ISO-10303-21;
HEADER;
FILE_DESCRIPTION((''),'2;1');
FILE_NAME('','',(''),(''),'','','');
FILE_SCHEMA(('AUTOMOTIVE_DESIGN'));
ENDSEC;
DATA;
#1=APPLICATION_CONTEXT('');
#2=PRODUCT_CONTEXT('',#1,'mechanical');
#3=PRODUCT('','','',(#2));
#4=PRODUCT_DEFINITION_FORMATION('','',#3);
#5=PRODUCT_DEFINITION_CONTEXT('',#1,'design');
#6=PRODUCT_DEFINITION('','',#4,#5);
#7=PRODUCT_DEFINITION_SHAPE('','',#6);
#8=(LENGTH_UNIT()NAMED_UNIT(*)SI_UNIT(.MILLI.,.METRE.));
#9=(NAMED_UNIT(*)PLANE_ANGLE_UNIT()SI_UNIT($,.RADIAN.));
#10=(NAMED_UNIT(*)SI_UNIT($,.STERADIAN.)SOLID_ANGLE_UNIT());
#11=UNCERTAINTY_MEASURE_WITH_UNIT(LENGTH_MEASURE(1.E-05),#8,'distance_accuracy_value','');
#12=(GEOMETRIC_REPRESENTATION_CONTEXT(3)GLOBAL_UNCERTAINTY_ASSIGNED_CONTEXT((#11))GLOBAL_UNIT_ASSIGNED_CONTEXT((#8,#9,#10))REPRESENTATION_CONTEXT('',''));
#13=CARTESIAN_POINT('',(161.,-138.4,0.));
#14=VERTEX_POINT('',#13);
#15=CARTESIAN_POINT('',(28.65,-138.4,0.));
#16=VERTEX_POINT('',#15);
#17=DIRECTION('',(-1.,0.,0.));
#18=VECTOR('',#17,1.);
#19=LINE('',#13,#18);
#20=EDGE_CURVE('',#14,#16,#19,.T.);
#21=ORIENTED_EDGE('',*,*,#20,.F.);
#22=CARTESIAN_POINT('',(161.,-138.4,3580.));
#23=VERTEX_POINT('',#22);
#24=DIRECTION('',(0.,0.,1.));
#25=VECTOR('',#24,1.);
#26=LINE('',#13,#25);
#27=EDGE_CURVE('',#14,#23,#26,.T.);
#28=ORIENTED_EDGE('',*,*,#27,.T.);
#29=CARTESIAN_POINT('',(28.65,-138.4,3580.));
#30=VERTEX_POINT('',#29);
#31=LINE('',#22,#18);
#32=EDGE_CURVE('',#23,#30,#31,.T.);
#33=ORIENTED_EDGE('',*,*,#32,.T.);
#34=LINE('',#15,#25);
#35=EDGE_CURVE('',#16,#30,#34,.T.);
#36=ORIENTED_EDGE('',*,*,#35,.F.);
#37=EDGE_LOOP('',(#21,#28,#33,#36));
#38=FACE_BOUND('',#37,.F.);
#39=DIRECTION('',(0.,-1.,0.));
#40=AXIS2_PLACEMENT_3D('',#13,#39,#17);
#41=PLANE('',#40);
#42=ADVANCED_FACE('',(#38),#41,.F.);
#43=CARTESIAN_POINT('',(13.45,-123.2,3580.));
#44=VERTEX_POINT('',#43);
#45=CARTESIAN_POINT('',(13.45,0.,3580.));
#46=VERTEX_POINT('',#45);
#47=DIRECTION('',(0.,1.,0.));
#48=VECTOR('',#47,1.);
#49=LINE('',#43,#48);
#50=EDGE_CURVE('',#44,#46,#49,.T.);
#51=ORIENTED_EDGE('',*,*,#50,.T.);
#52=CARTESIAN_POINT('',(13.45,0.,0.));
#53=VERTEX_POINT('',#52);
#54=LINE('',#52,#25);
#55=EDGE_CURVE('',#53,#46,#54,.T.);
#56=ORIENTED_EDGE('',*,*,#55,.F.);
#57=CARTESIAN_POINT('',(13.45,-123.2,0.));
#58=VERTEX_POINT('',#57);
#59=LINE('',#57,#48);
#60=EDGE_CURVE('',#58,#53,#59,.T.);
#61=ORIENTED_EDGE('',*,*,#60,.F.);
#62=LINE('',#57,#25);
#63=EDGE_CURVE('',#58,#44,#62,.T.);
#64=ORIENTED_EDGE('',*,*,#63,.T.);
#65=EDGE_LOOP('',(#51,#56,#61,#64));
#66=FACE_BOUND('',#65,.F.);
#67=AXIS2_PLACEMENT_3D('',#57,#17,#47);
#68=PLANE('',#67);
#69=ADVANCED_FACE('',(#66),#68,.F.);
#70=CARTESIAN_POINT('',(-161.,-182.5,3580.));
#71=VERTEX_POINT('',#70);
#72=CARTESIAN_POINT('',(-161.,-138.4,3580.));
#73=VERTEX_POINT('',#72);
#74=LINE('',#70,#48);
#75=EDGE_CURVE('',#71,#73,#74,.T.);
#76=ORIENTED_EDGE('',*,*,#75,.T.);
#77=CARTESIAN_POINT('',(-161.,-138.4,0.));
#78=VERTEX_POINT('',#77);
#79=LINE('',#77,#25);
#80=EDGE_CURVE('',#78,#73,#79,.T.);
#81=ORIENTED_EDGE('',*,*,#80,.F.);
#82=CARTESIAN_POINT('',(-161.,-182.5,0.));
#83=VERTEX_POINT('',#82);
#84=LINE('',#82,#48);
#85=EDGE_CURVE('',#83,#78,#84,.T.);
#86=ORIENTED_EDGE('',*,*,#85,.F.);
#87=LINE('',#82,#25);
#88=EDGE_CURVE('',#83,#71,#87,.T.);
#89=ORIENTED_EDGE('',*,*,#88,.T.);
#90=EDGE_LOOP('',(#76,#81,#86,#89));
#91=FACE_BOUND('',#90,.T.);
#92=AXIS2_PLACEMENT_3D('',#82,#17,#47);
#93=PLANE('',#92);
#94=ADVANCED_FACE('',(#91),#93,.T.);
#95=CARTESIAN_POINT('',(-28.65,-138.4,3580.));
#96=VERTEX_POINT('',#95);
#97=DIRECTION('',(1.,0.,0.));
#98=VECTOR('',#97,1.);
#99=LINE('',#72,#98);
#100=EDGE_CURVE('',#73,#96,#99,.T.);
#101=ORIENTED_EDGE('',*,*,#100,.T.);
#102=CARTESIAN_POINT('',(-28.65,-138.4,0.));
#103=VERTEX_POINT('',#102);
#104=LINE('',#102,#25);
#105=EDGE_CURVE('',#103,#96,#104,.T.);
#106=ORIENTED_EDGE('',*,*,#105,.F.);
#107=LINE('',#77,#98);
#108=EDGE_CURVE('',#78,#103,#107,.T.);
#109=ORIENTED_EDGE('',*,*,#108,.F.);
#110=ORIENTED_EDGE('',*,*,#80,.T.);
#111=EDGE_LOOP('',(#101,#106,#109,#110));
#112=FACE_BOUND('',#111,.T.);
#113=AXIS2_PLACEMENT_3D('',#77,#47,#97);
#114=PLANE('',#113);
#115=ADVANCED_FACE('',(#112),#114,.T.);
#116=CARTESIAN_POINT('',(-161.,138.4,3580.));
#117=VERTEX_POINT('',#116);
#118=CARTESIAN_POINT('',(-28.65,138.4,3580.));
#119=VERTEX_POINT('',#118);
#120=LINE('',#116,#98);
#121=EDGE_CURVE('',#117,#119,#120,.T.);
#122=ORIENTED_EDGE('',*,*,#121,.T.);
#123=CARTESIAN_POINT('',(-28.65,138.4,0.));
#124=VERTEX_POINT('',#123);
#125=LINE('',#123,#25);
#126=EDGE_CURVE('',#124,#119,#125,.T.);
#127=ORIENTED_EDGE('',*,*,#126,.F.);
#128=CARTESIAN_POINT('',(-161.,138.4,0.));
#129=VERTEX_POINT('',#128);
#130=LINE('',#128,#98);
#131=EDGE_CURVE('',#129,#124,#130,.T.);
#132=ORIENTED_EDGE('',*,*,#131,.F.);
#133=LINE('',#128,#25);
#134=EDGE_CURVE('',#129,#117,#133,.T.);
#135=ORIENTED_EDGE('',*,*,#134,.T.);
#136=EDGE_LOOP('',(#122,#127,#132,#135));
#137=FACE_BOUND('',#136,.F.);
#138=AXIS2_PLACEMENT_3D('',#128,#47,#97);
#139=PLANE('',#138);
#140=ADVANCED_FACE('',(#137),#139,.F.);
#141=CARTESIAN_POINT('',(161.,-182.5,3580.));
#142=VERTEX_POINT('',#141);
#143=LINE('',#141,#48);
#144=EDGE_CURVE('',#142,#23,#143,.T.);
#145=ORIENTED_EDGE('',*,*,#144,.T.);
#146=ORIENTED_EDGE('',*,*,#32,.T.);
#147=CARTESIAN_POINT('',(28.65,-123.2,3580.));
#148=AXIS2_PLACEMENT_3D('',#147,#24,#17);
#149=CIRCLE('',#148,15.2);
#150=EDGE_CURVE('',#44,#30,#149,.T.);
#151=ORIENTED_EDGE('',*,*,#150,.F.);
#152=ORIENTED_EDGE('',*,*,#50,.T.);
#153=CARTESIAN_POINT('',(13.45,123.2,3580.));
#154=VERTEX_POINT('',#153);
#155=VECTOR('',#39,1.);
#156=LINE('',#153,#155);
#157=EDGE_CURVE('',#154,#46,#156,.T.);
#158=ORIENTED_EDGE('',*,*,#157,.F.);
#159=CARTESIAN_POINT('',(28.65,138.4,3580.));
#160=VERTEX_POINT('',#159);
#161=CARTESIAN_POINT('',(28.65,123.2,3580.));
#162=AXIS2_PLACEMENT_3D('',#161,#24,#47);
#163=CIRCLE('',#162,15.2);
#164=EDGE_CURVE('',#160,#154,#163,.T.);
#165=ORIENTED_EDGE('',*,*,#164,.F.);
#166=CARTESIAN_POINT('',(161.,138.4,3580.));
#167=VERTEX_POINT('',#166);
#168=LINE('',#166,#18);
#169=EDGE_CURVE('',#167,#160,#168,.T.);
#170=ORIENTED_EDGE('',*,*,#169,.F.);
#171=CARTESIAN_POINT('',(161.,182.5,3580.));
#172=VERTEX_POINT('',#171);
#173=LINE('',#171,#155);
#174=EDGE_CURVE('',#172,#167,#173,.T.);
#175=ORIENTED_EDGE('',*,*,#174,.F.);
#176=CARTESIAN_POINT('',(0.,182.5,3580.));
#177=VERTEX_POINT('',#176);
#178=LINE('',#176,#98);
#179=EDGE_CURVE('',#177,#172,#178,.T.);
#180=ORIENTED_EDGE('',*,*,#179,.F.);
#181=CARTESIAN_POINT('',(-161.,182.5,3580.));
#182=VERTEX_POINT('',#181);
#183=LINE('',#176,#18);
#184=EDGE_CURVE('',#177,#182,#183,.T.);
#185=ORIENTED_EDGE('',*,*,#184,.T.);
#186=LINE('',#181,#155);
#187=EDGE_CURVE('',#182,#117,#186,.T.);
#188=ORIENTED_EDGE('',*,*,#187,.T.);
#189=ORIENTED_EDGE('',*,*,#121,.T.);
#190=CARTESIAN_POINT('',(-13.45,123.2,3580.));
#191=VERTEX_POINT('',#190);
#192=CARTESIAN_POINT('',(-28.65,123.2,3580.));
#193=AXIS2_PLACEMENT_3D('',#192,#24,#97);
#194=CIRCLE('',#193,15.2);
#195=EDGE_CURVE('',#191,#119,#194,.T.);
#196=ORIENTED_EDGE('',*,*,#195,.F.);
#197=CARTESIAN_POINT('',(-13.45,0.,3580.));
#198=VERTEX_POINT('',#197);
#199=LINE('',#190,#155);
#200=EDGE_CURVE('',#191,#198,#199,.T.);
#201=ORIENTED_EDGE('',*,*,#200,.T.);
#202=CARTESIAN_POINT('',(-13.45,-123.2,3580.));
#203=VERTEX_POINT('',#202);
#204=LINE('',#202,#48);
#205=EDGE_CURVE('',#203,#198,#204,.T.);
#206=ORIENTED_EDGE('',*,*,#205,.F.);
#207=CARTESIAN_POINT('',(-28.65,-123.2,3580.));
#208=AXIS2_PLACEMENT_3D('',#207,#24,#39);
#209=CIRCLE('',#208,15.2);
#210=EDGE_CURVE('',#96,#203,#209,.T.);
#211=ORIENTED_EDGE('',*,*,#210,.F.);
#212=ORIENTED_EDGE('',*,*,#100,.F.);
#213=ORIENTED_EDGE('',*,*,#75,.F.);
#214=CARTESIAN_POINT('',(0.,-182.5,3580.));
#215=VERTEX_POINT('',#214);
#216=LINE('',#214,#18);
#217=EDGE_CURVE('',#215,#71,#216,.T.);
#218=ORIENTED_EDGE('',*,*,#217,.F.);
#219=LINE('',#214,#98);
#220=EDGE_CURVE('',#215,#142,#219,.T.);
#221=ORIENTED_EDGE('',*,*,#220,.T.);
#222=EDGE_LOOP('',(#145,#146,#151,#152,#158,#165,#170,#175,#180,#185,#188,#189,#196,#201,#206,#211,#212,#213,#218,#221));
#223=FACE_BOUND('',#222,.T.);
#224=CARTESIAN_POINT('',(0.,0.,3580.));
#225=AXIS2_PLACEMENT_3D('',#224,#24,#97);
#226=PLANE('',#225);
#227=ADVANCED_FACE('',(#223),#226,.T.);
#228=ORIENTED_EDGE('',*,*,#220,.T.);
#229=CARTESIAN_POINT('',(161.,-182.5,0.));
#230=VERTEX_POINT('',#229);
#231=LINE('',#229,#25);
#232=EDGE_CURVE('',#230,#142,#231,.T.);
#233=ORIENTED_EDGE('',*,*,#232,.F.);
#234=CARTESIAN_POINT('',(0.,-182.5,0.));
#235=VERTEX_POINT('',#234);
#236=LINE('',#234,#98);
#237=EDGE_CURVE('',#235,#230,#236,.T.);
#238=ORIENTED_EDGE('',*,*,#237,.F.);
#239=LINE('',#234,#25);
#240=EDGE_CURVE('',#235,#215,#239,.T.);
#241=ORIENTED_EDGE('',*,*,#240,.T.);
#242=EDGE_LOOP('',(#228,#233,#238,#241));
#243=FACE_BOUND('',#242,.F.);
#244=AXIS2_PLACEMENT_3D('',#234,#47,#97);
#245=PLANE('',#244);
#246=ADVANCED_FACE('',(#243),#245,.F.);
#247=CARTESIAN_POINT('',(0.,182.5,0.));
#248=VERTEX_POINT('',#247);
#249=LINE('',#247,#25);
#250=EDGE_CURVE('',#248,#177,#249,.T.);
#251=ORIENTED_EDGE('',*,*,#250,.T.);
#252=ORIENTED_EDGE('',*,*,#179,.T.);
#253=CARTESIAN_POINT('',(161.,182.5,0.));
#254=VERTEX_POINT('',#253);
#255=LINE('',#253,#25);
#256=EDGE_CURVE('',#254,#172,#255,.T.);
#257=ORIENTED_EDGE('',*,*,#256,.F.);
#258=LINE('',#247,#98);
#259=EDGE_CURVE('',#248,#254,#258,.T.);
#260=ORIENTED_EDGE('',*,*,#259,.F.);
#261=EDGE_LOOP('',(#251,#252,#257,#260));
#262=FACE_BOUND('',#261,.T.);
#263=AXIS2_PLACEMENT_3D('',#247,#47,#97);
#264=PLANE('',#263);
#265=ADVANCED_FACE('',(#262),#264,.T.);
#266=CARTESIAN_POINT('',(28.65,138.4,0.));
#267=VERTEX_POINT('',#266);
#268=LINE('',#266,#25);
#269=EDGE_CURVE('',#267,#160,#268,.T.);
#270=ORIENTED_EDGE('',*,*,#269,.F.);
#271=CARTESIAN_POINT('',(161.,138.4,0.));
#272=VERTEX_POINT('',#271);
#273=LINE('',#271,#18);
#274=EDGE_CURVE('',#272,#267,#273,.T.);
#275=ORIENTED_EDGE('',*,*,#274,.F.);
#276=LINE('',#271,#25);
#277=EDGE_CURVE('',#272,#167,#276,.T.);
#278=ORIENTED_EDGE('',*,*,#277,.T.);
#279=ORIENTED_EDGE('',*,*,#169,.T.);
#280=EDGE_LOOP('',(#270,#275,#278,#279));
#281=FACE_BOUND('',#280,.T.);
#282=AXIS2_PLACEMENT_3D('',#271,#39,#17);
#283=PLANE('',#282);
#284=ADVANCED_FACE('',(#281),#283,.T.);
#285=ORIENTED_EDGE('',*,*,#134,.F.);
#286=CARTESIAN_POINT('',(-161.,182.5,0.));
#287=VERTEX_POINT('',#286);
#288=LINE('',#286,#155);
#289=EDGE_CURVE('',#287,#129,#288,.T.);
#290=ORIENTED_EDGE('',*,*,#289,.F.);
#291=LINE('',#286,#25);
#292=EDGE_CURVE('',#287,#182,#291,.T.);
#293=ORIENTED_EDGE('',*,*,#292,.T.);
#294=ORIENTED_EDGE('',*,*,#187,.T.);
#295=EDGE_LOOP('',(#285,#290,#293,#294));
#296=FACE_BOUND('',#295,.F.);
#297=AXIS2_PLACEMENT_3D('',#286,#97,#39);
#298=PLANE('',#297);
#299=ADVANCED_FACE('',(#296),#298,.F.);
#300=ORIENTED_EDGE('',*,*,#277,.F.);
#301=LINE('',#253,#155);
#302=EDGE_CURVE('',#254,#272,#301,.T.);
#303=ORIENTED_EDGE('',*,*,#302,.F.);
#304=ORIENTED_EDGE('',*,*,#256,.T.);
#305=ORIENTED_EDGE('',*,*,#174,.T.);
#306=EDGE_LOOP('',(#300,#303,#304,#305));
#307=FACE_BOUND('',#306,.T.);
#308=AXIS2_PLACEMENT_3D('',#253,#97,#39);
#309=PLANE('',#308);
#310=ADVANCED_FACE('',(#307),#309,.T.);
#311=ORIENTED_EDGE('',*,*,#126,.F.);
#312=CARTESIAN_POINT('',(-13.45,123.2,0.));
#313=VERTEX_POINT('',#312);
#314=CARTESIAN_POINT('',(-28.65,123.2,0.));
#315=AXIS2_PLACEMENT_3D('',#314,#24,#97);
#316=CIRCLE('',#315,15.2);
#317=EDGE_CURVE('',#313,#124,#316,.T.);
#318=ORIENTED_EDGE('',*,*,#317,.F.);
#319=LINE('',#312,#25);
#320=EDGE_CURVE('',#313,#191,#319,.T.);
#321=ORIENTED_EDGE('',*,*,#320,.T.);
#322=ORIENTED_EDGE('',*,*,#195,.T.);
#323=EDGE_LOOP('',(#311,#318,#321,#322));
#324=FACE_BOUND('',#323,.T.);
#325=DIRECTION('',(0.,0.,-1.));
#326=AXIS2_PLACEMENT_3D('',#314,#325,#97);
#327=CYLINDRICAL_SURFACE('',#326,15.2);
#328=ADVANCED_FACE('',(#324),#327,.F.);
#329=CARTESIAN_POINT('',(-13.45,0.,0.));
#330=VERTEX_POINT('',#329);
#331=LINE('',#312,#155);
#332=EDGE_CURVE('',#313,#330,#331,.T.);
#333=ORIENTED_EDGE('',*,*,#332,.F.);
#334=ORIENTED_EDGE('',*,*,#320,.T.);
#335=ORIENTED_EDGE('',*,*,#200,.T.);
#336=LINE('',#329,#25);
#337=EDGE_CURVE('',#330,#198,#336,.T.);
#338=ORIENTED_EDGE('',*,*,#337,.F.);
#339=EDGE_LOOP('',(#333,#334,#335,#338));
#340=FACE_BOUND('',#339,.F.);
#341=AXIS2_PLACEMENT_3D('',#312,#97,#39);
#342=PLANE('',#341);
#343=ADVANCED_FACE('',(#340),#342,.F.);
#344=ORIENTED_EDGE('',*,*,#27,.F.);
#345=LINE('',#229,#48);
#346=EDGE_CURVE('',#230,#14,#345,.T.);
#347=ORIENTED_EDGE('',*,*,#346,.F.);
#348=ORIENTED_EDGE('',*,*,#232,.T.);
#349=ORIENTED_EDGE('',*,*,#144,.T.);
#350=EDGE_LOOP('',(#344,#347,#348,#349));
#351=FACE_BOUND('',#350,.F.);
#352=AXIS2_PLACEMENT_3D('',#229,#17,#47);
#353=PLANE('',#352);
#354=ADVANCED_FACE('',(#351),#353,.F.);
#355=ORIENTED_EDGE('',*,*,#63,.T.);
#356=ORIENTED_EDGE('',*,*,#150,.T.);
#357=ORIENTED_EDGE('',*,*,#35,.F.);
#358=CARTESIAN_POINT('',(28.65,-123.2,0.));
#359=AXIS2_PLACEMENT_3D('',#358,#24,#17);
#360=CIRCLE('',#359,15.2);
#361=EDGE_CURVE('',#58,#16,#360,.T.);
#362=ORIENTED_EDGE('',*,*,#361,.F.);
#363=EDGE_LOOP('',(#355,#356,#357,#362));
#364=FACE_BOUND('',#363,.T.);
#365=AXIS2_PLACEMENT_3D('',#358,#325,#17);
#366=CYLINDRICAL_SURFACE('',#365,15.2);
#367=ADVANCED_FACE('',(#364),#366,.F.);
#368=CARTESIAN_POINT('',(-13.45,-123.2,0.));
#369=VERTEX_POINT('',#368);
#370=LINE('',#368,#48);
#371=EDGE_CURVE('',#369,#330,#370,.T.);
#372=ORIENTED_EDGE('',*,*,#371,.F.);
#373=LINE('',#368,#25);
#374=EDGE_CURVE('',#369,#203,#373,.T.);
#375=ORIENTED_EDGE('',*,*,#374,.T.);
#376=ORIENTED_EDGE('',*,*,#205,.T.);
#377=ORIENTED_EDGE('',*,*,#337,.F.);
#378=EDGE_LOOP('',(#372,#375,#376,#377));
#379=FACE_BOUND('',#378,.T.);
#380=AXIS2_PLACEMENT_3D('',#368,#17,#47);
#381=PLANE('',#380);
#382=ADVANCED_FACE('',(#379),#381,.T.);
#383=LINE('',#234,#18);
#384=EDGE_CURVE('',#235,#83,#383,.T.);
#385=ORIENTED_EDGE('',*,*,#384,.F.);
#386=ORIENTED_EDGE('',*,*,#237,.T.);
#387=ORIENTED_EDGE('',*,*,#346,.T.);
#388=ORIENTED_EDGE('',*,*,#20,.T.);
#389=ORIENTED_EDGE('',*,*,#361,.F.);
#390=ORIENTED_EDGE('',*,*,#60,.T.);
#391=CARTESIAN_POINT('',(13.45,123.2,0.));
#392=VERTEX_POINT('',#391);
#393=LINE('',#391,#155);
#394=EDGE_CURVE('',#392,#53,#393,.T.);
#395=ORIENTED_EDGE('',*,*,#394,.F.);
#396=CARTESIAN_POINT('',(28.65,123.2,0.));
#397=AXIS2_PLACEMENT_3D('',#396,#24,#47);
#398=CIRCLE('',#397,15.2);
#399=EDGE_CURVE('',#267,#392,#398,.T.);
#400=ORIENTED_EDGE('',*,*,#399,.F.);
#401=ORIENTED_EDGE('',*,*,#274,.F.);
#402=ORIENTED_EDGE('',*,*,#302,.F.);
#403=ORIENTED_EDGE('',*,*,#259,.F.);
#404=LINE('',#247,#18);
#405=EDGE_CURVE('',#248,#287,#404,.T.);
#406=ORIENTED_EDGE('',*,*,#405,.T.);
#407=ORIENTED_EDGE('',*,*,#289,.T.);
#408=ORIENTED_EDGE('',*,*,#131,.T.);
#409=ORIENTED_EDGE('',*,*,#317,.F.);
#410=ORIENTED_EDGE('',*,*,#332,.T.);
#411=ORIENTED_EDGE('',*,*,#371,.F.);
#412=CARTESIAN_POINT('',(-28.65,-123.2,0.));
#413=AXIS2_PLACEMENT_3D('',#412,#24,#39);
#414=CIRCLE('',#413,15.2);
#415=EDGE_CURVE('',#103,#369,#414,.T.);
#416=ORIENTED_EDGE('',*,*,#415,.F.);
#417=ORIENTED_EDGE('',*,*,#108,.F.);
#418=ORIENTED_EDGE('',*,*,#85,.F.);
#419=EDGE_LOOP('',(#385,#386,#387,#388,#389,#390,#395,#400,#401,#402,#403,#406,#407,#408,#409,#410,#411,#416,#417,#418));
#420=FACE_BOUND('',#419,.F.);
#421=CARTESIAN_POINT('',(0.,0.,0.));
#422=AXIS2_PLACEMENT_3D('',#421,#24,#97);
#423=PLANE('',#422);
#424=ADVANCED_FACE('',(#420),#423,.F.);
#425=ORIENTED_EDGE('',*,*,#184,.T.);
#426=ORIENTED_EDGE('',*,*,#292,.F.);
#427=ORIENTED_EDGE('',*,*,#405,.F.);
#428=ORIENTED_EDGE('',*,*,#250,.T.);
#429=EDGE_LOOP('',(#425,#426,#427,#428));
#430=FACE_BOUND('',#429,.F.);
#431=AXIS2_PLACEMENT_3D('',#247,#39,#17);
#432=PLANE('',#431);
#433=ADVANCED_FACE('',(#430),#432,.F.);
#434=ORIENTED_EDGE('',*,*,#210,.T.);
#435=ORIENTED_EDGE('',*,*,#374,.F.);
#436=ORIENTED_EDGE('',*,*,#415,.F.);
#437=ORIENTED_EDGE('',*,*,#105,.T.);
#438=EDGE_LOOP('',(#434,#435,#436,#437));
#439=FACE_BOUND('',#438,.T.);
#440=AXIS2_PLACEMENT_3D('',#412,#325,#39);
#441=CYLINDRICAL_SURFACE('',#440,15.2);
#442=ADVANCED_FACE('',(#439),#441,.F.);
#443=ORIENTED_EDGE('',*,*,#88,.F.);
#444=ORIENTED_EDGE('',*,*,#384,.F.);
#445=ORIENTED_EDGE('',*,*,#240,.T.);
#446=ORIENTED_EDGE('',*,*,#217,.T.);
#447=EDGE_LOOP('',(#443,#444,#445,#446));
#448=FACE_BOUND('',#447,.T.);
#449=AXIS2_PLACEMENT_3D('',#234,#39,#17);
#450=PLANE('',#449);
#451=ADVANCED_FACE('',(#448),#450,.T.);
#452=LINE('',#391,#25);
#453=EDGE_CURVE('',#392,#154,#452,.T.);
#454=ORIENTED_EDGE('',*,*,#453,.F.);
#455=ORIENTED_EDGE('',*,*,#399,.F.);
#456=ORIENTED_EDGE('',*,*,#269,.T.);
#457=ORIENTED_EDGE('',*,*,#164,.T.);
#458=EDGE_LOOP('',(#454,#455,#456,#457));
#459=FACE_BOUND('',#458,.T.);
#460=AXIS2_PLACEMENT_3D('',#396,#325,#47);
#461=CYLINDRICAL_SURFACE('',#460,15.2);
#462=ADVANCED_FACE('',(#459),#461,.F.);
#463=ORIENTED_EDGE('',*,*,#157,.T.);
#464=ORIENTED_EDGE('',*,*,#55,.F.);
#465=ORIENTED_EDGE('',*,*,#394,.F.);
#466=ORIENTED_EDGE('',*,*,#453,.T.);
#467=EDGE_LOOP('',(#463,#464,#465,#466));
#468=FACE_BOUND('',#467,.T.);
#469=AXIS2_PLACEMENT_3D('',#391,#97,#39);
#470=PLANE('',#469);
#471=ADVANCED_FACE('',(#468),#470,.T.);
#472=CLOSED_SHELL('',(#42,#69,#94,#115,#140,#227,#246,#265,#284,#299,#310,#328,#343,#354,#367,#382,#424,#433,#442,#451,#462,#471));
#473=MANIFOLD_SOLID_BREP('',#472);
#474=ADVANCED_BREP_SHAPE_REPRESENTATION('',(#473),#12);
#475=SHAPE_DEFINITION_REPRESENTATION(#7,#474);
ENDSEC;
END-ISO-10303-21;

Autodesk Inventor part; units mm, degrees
ref_plane "YZ Plane" through (0, 0, 0) normal (1, 0, 0) x (0, 1, 0)
ref_plane "Start plane" through (0, 0, 0) normal (0, 0, 1) x (1, 0, 0)
ref_plane "End plane" through (0, 0, 3580) normal (0, 0, 1) x (1, 0, 0)
sketch "Sketch" plane through (0, 0, 0) normal (0, 0, 1) x (1, 0, 0)
  line L0 (-161, -182.5) -> (-161, -138.4)
  line L1 (-161, -138.4) -> (-28.65, -138.4)
  line L2 (-13.45, -123.2) -> (-13.45, 0)
  line L3 (-13.45, 0) -> (0, 0) construction
  line L4 (0, 0) -> (0, -182.5) construction
  line L5 (0, -182.5) -> (-161, -182.5)
  line L6 (-60, 0) -> (80, 0) construction
  line L7 (0, -60) -> (0, 80) construction
  line L8 (161, -182.5) -> (161, -138.4)
  line L9 (161, -138.4) -> (28.65, -138.4)
  line L10 (13.45, -123.2) -> (13.45, 0)
  line L11 (13.45, 0) -> (0, 0) construction
  line L12 (0, -182.5) -> (161, -182.5)
  line L13 (-161, 182.5) -> (-161, 138.4)
  line L14 (-161, 138.4) -> (-28.65, 138.4)
  line L15 (-13.45, 123.2) -> (-13.45, 0)
  line L16 (0, 182.5) -> (-161, 182.5)
  line L17 (161, 182.5) -> (161, 138.4)
  line L18 (161, 138.4) -> (28.65, 138.4)
  line L19 (0, 182.5) -> (161, 182.5)
  line L20 (13.45, 123.2) -> (13.45, 0)
  arc A0 (-13.45, 123.2) -> (-28.65, 138.4) centre (-28.65, 123.2) ccw
  arc A1 (28.65, 138.4) -> (13.45, 123.2) centre (28.65, 123.2) ccw
  arc A2 (13.45, -123.2) -> (28.65, -138.4) centre (28.65, -123.2) ccw
  arc A3 (-28.65, -138.4) -> (-13.45, -123.2) centre (-28.65, -123.2) ccw
  line L21 (0, 108) -> (0, -88) construction
  line L22 (-88, 0) -> (108, 0) construction
  point P0 (-13.45, -138.4)
  point P1 (13.45, -138.4)
  point P2 (-13.45, 138.4)
  point P3 (13.45, 138.4)
  dimension "d1" = 182.5
  dimension "d2" = 44.1
  dimension "d3" = 161
  dimension "d4" = 13.45
  dimension "d10" = 15.2
extrude "Body" add sketch "Sketch" along normal up to surface (3580 mm away) from surface at 0
sketch "Sketch4" plane through (0, 0, 0) normal (0, 0, 1) x (1, 0, 0)
  line L0 (0, 0) -> (10, 0)
ref_plane "Work Plane3" through (0, 0, 0) normal (0, -1, 0) x (1, 0, 0)
sketch "Sketch5" plane through (0, 0, 0) normal (0, -1, 0) x (1, 0, 0)
  line L0 (-2, 0) -> (12, 0) projected
  line L1 (-2, 3580) -> (12, 3580) projected
  dimension "d14" = 3580
equation "\"d1\" = 0.5 * G_H"
equation "\"d2\" = G_T1"
equation "\"d3\" = 0.5 * G_W"
equation "\"d4\" = 0.5 * G_T"
equation "\"d10\" = G_IR"
equation "\"d5\" = G_L"
equation "\"G_W\" = 322"
equation "\"G_H\" = 365"
equation "\"G_T\" = 26.9"
equation "\"G_T1\" = 44.1"
equation "\"G_IR\" = 15.2"
equation "\"G_L\" = d14"
equation "\"G_OFFSET_START\" = 0"
equation "\"G_OFFSET_END\" = 0"
properties part number "AS 3679 - 310 UC - 283 - 3580" material "Steel, Mild"
